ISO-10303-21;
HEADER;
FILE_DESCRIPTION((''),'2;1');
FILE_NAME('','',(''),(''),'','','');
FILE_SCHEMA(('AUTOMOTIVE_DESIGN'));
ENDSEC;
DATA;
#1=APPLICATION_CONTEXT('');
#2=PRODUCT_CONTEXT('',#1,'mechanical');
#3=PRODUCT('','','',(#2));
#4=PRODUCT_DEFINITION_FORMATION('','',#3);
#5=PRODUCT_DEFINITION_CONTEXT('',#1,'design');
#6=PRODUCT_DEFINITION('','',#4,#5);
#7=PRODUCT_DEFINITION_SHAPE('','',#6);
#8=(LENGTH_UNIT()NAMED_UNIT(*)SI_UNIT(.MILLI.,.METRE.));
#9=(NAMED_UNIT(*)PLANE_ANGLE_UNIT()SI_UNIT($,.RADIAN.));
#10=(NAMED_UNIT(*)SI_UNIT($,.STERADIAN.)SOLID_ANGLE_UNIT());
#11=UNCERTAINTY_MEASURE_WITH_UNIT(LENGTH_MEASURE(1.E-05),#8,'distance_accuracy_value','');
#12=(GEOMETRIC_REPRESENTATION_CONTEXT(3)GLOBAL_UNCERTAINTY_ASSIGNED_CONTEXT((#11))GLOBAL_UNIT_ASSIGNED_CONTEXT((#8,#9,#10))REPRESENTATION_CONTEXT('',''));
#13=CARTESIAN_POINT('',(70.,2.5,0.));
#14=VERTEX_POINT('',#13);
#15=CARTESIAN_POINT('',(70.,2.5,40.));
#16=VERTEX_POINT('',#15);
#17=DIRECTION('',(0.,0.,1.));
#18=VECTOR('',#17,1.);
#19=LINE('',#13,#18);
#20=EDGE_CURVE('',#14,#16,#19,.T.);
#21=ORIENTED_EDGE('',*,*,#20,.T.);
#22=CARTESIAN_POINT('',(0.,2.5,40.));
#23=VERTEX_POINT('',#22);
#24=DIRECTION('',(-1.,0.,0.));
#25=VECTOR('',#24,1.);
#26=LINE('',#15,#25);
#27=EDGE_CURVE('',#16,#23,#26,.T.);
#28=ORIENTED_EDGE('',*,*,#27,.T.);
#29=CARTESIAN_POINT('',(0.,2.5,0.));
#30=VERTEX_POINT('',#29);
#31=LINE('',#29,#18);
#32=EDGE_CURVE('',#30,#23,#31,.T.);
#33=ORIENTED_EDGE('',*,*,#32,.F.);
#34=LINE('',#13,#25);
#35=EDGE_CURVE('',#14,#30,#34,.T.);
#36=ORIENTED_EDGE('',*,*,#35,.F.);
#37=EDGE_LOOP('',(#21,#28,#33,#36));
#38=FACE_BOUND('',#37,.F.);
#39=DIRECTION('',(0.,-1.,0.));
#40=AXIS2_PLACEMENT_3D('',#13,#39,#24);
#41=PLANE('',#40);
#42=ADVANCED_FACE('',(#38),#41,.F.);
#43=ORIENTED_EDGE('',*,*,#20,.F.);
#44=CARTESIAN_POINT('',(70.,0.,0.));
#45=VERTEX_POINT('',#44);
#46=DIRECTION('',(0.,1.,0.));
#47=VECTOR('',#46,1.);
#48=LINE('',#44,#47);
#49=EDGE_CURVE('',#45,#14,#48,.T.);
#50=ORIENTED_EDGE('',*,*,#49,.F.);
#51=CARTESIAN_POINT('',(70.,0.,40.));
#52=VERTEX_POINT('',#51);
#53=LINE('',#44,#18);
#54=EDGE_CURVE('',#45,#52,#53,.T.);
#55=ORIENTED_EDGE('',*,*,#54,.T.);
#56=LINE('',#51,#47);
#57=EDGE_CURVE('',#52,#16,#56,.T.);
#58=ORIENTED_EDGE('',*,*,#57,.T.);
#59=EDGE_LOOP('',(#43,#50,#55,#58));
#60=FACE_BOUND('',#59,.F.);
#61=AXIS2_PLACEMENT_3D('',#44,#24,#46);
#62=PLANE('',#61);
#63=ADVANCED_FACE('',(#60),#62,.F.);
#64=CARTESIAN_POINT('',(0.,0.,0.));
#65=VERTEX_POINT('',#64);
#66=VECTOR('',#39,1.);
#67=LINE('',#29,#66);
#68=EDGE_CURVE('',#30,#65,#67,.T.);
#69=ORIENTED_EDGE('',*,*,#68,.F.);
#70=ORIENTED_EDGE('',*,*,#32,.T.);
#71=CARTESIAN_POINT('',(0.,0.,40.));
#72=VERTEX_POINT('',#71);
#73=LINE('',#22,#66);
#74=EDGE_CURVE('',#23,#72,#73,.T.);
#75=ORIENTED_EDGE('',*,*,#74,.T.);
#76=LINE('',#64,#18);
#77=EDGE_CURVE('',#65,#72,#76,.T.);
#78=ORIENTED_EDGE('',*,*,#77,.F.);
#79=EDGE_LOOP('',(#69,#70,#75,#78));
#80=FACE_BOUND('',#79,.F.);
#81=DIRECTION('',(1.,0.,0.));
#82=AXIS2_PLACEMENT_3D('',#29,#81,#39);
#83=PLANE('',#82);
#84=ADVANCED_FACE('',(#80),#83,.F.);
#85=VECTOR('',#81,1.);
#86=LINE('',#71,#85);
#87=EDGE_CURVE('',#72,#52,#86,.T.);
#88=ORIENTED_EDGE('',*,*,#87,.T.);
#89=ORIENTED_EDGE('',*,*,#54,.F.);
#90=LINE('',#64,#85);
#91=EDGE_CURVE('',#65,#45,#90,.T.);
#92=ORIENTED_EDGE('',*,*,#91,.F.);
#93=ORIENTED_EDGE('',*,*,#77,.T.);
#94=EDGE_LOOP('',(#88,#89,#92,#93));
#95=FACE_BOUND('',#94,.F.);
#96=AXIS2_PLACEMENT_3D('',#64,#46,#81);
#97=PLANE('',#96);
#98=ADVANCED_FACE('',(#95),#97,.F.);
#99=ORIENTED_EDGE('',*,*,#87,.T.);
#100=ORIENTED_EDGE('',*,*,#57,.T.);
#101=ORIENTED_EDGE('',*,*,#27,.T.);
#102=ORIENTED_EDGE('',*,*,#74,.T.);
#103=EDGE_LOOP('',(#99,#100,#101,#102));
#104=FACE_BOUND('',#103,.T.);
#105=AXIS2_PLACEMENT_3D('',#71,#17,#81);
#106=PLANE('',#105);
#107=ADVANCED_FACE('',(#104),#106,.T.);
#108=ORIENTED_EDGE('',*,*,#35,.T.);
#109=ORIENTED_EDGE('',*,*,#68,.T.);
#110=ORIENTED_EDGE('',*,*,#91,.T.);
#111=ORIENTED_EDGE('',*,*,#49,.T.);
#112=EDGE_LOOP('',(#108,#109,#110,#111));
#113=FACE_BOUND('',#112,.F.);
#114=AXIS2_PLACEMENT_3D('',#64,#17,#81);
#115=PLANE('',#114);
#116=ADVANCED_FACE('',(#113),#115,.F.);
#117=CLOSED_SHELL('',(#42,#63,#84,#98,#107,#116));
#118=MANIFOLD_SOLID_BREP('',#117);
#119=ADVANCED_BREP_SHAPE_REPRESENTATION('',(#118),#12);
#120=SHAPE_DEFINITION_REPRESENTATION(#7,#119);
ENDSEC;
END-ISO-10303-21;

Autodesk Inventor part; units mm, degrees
ref_plane "YZ Plane" through (0, 0, 0) normal (1, 0, 0) x (0, 1, 0)
ref_plane "XZ Plane" through (0, 0, 0) normal (0, 1, 0) x (-1, 0, 0)
ref_plane "XY Plane" through (0, 0, 0) normal (0, 0, 1) x (1, 0, 0)
sketch "Sketch1" plane through (0, 0, 0) normal (0, 0, 1) x (1, 0, 0)
  line L0 (0, 0) -> (70, 0)
  line L1 (70, 0) -> (70, 2.5)
  line L2 (70, 2.5) -> (0, 2.5)
  line L3 (0, 2.5) -> (0, 0)
  dimension "d0" = 2.5
  dimension "d1" = 70
extrude "Extrusion1" add sketch "Sketch1" along normal blind 40
properties part number "ALZA MAQUINADO"
